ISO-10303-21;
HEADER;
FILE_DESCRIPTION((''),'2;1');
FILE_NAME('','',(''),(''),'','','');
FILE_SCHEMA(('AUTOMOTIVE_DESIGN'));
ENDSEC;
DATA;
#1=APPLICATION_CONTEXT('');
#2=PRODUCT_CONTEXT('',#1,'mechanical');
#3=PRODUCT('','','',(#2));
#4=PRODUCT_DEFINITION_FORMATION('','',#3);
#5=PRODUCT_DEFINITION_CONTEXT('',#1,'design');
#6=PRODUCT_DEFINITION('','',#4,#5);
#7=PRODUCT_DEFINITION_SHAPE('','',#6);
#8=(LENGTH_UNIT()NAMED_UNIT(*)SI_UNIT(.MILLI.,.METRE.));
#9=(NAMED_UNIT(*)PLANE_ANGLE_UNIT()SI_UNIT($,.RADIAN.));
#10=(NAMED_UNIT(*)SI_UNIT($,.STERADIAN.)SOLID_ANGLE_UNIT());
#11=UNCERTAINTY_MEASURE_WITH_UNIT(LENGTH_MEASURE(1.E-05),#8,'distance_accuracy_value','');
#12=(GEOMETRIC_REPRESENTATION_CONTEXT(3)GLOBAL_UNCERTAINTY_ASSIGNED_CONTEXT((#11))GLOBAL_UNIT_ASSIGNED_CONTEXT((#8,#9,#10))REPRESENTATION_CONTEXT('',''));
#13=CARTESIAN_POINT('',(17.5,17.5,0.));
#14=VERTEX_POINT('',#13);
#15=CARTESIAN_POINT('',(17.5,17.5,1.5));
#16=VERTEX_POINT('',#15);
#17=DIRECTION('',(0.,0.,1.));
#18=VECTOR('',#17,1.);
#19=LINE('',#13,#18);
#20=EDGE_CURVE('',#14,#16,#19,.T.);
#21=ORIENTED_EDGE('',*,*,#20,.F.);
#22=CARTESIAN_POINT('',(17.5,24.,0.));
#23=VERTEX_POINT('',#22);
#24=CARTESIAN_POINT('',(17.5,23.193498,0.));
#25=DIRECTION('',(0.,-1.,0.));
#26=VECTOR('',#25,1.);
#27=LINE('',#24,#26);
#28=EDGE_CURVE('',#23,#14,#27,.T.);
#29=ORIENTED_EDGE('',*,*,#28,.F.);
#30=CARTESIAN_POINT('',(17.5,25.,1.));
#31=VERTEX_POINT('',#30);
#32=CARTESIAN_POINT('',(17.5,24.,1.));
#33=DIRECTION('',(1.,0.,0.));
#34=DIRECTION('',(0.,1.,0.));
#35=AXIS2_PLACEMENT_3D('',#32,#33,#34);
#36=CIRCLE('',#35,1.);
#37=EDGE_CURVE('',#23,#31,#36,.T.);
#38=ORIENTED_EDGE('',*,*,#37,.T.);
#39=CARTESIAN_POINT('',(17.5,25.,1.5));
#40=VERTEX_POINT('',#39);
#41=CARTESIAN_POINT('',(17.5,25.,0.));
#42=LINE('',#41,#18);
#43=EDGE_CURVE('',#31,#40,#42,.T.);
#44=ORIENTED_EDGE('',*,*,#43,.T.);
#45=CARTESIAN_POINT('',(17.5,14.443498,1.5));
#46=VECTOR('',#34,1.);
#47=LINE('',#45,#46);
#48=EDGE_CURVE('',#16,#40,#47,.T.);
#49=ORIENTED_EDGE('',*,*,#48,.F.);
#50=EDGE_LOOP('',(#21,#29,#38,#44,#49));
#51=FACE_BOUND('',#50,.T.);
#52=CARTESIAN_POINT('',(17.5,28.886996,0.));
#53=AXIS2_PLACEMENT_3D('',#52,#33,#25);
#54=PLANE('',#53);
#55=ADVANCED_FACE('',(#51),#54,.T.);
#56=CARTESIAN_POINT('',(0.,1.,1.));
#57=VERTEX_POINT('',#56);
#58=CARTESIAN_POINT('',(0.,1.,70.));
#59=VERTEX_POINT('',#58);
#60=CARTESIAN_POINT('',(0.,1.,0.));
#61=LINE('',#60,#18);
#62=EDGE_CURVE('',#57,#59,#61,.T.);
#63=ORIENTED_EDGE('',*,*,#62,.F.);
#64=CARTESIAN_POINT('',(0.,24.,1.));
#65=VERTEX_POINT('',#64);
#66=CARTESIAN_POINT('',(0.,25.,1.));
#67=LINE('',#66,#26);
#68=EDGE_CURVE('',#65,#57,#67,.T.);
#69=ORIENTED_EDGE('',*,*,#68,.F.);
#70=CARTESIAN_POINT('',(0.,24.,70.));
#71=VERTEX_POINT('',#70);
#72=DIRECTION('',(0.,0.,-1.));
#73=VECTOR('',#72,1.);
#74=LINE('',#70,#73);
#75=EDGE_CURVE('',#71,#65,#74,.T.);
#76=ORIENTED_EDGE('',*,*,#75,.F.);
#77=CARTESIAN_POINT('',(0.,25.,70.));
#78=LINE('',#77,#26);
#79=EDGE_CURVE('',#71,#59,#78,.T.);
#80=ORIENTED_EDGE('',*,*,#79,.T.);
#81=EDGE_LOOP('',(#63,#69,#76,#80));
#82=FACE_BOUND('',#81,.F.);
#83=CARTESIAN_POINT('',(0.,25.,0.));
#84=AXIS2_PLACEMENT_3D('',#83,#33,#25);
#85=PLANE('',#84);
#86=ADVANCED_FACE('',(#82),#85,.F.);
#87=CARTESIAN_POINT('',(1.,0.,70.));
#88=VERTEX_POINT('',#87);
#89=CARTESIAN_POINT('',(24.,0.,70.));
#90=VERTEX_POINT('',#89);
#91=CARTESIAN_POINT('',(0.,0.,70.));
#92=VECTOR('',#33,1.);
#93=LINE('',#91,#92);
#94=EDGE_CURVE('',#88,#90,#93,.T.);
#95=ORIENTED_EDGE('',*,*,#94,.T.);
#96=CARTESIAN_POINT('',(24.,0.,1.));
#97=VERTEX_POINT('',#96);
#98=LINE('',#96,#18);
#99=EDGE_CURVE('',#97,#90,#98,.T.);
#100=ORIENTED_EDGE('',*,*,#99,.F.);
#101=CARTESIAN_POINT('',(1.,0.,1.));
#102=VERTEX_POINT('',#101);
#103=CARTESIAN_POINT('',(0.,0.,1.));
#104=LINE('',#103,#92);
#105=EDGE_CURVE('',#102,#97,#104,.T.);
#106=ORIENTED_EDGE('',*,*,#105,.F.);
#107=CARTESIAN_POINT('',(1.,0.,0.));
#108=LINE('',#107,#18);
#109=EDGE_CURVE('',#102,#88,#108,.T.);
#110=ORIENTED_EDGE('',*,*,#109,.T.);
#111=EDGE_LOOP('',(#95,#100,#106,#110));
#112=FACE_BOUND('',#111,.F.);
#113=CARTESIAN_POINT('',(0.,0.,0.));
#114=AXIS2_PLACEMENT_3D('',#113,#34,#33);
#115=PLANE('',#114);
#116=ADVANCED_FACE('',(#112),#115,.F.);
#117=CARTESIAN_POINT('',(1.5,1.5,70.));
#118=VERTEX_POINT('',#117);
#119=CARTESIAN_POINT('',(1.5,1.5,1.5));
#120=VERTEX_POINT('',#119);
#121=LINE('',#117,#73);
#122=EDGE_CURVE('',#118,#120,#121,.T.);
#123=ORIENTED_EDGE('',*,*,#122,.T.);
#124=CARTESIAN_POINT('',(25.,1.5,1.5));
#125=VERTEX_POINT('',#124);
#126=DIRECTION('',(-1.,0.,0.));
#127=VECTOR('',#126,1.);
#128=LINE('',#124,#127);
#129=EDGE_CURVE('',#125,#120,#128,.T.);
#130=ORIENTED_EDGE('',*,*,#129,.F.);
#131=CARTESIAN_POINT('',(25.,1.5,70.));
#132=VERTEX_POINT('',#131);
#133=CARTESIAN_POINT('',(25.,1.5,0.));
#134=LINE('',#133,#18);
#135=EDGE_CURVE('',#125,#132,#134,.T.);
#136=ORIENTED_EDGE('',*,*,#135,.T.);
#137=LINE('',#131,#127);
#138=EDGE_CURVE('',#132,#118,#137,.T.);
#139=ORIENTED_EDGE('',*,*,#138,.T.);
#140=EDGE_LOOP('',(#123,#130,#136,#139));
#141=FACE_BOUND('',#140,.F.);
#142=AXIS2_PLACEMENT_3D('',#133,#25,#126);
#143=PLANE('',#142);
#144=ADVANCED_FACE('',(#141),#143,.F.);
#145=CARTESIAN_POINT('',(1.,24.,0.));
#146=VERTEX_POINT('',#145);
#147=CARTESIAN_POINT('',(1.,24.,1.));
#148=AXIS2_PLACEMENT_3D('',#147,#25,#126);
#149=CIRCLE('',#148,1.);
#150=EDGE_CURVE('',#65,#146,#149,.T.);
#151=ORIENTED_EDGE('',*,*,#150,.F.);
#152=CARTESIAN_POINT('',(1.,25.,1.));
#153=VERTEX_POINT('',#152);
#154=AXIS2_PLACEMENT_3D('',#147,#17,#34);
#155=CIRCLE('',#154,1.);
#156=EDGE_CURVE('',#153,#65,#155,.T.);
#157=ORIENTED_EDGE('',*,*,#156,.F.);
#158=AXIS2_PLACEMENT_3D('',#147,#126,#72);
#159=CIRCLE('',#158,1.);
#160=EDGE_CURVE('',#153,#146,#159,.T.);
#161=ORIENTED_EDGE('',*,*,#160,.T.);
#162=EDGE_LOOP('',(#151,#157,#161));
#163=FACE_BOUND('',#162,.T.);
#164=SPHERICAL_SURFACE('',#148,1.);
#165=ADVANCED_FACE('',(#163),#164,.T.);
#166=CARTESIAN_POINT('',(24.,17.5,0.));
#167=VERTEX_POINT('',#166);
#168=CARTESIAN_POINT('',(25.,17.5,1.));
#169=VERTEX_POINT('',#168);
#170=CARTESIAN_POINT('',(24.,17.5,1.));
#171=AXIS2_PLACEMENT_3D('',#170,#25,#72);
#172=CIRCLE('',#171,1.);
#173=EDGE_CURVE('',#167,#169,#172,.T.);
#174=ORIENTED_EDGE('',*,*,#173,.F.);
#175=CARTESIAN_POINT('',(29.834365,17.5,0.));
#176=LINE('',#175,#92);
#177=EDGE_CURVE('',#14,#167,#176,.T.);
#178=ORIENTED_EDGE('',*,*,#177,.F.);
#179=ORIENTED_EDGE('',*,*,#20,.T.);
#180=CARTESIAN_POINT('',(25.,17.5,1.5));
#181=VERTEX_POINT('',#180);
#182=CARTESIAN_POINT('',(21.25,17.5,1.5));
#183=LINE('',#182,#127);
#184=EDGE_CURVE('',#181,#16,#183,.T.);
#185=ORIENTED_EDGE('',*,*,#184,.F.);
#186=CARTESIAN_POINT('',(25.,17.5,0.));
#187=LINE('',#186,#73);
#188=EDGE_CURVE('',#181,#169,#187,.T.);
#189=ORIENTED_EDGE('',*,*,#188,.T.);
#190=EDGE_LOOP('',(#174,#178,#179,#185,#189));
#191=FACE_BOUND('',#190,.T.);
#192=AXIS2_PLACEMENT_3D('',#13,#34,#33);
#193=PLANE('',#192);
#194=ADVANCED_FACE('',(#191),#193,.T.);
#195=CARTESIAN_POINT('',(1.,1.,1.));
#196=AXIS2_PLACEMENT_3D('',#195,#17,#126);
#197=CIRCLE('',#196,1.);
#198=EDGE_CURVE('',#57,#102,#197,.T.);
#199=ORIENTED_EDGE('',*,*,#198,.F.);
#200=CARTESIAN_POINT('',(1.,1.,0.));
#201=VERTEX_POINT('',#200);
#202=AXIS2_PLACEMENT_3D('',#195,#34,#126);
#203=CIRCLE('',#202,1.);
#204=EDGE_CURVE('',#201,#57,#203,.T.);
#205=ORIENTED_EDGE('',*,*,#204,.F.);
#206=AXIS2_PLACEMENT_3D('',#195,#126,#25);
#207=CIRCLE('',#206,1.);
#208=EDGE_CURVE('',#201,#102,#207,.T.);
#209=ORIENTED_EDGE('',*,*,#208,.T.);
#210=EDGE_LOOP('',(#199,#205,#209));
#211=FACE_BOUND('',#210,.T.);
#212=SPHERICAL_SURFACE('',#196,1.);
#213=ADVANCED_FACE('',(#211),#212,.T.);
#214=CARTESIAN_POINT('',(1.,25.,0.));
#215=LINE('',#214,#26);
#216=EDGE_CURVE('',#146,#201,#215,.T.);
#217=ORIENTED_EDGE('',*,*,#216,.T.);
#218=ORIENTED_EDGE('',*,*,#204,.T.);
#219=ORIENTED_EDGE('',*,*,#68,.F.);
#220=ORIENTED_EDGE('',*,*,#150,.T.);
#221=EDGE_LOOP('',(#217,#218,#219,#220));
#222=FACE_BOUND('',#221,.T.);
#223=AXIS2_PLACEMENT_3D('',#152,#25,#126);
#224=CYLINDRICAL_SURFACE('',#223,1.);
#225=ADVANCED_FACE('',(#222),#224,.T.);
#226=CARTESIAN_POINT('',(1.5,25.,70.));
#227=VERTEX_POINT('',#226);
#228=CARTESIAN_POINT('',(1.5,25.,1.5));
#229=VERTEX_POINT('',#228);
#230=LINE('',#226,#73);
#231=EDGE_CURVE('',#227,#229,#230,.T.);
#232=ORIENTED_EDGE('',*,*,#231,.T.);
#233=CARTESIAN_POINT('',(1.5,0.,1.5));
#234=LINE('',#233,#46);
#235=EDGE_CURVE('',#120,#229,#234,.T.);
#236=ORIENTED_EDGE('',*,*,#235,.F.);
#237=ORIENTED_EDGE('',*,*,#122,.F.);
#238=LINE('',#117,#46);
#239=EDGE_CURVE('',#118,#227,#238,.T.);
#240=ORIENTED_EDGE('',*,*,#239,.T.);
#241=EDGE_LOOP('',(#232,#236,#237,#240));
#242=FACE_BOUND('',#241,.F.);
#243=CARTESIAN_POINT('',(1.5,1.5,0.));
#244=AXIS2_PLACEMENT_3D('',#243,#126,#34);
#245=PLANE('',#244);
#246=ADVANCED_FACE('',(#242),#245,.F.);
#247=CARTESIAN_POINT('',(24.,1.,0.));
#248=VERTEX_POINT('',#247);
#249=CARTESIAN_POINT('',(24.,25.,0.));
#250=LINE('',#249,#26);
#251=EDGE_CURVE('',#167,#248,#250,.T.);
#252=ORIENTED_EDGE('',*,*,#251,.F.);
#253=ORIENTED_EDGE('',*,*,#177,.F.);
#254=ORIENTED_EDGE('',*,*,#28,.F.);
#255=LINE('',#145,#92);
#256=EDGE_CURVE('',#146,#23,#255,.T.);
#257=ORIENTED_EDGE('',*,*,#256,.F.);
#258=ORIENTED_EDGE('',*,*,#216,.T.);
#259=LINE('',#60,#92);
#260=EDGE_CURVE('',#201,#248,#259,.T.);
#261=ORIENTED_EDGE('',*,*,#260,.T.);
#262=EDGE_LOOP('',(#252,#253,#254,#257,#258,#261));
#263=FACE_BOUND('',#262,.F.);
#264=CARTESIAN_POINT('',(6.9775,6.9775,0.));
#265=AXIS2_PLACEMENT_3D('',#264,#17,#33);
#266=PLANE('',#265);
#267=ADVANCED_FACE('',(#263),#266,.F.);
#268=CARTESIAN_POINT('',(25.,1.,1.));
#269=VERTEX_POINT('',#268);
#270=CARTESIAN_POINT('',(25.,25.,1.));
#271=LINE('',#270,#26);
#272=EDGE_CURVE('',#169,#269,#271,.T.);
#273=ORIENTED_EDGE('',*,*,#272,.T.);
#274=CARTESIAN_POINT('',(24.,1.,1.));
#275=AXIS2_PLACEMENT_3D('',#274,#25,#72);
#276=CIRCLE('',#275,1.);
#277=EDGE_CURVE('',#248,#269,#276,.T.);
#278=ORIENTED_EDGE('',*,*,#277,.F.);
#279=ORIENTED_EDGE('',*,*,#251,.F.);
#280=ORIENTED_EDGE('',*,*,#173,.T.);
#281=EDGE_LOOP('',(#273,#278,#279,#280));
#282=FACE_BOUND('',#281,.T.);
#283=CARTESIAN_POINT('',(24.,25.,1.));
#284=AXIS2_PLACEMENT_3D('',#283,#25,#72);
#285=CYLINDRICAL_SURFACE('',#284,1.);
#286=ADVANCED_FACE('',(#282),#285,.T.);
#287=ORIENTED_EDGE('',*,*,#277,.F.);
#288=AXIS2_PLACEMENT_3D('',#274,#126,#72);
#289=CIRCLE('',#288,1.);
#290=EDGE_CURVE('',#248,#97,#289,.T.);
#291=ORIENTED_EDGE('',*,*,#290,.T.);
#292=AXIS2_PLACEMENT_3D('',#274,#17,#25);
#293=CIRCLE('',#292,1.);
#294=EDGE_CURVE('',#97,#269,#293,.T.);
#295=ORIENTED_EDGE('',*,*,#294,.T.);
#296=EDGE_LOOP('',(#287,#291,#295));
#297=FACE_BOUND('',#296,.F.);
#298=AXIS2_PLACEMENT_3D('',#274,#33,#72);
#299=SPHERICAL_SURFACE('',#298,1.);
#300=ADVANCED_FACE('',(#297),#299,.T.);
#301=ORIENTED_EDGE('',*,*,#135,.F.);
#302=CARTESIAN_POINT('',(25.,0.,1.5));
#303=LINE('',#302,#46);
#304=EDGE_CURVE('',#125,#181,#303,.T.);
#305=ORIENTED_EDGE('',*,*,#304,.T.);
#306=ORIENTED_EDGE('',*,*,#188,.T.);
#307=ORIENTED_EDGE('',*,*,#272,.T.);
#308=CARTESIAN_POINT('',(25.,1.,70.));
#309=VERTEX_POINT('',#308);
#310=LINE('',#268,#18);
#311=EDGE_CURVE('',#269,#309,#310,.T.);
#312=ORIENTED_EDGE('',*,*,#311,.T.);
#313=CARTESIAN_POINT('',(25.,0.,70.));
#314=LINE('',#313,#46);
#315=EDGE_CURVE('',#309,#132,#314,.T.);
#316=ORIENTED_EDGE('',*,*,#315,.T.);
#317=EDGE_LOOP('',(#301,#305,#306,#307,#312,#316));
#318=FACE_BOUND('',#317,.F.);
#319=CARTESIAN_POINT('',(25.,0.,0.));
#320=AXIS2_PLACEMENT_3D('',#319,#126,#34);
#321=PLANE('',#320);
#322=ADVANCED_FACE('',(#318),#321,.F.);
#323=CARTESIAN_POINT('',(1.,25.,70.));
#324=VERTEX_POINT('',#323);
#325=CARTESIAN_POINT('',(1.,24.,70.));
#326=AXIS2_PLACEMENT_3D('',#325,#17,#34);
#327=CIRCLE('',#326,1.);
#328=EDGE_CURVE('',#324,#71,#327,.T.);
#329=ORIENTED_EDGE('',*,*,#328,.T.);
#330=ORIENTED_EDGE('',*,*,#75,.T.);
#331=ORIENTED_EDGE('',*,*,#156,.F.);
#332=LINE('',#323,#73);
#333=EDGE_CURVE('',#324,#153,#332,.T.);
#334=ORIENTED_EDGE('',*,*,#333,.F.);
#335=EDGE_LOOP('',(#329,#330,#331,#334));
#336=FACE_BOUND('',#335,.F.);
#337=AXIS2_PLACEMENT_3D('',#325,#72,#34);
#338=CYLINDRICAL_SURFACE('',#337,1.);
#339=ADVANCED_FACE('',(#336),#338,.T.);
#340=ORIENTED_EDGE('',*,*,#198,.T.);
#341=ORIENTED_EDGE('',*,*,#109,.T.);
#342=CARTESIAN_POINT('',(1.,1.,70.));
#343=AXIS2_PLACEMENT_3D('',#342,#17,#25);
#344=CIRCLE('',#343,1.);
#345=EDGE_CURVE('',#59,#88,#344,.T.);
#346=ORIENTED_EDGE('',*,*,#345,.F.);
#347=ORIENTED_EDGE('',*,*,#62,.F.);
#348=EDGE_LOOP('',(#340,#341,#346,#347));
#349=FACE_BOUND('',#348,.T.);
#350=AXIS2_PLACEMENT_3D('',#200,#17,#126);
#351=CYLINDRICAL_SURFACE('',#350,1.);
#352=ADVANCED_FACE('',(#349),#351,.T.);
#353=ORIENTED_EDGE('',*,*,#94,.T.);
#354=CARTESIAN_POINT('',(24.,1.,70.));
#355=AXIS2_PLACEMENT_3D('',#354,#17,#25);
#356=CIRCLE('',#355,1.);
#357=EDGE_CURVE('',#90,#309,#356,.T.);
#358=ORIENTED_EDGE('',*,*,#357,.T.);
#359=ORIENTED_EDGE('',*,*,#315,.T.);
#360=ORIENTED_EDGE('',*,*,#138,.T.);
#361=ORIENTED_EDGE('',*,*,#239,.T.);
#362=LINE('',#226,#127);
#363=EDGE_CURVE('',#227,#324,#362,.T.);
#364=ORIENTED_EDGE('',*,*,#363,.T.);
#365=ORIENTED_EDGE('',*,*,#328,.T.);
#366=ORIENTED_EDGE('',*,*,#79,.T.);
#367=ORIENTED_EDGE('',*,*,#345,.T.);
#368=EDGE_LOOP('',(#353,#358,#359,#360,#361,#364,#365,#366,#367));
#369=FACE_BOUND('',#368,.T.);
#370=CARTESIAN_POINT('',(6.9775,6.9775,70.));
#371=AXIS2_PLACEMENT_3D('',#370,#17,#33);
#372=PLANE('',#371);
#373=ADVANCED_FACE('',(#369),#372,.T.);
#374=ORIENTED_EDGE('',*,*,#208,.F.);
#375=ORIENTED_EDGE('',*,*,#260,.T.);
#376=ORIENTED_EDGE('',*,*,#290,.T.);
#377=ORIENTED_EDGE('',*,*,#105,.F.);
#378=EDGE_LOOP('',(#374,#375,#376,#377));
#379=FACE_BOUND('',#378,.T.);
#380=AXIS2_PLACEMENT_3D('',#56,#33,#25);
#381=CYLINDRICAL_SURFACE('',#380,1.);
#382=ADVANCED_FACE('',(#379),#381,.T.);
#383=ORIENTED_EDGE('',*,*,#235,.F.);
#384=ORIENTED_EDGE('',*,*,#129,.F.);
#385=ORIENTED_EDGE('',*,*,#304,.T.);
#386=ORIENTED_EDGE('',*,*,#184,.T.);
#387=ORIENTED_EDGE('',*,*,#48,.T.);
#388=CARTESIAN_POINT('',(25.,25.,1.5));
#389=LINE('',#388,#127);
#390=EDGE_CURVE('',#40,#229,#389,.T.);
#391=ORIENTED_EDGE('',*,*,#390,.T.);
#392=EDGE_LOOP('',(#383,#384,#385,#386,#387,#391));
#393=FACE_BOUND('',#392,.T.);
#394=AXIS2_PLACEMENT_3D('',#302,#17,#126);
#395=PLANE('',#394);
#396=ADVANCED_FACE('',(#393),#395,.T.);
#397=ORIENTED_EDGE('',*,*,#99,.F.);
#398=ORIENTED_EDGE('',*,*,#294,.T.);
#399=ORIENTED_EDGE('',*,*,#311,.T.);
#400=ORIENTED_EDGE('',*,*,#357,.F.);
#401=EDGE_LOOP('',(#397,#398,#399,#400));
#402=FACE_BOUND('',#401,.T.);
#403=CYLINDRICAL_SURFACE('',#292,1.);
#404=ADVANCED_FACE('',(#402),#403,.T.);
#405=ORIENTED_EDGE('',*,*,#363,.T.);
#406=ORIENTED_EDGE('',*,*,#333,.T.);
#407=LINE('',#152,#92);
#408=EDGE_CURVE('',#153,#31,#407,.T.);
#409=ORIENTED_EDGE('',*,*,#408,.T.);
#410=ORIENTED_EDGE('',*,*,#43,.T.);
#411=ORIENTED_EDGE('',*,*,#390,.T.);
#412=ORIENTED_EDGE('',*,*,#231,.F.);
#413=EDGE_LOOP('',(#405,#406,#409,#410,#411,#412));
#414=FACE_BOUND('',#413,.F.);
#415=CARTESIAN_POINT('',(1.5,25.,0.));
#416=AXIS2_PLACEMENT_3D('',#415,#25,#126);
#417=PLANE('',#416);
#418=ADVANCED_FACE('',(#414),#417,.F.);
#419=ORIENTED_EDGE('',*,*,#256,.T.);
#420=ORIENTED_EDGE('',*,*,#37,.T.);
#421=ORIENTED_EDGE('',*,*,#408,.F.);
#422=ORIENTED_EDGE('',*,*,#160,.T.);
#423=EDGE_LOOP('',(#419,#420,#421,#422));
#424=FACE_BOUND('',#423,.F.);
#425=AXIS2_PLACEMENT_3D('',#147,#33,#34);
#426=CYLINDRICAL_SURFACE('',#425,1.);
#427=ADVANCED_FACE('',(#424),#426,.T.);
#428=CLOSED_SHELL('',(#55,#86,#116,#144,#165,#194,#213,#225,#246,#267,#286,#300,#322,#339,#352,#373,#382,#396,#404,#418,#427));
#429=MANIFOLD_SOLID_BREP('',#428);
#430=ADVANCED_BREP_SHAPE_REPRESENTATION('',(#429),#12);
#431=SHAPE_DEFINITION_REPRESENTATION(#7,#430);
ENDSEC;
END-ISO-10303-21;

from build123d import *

# Parameters (mm, degrees)
F1_DEPTH = 70
F3_DEPTH = 25
F4_R     = 1
F5_R     = 1
F6_W     = 24.6687295064
F6_H     = 11.3869960284
F7_DEPTH = 5


with BuildPart() as f1:
    # F0 (on Top) → F1 (new body)
    with BuildSketch(Plane.XY):
        Polygon((0, 25), (0, 0), (25, 0), (25, 1.5), (1.5, 1.5), (1.5, 25), align=None)
    extrude(amount=F1_DEPTH)

    # F2 (on Front) → F3 (join)
    with BuildSketch(Plane.XZ):
        Polygon((0, 25), (0, 0), (25, 0), (25, 1.5), (1.5, 1.5), (1.5, 25), align=None)
    extrude(amount=-F3_DEPTH)

    # F4
    f4_edges = [f1.edges().sort_by_distance(p)[0] for p in [
        (0, 0, 35),
        (0, 12.5, 0),
        (12.5, 0, 0),
    ]]
    fillet(f4_edges, radius=F4_R)

    # F5
    f5_edges = [f1.edges().sort_by_distance(p)[0] for p in [
        (25, 13, 0),
        (13, 25, 0),
        (25, 25, 0.75),
    ]]
    fillet(f5_edges, radius=F5_R)

    # F6 (on face) → F7 (cut)
    with BuildSketch(Plane(origin=(0, 0, 0), x_dir=(1, 0, 0), z_dir=(0, 0, -1))):
        with Locations((29.8343647532, -23.1934980142)):
            Rectangle(F6_W, F6_H)
    extrude(amount=-F7_DEPTH, mode=Mode.SUBTRACT)


solid = f1.part
